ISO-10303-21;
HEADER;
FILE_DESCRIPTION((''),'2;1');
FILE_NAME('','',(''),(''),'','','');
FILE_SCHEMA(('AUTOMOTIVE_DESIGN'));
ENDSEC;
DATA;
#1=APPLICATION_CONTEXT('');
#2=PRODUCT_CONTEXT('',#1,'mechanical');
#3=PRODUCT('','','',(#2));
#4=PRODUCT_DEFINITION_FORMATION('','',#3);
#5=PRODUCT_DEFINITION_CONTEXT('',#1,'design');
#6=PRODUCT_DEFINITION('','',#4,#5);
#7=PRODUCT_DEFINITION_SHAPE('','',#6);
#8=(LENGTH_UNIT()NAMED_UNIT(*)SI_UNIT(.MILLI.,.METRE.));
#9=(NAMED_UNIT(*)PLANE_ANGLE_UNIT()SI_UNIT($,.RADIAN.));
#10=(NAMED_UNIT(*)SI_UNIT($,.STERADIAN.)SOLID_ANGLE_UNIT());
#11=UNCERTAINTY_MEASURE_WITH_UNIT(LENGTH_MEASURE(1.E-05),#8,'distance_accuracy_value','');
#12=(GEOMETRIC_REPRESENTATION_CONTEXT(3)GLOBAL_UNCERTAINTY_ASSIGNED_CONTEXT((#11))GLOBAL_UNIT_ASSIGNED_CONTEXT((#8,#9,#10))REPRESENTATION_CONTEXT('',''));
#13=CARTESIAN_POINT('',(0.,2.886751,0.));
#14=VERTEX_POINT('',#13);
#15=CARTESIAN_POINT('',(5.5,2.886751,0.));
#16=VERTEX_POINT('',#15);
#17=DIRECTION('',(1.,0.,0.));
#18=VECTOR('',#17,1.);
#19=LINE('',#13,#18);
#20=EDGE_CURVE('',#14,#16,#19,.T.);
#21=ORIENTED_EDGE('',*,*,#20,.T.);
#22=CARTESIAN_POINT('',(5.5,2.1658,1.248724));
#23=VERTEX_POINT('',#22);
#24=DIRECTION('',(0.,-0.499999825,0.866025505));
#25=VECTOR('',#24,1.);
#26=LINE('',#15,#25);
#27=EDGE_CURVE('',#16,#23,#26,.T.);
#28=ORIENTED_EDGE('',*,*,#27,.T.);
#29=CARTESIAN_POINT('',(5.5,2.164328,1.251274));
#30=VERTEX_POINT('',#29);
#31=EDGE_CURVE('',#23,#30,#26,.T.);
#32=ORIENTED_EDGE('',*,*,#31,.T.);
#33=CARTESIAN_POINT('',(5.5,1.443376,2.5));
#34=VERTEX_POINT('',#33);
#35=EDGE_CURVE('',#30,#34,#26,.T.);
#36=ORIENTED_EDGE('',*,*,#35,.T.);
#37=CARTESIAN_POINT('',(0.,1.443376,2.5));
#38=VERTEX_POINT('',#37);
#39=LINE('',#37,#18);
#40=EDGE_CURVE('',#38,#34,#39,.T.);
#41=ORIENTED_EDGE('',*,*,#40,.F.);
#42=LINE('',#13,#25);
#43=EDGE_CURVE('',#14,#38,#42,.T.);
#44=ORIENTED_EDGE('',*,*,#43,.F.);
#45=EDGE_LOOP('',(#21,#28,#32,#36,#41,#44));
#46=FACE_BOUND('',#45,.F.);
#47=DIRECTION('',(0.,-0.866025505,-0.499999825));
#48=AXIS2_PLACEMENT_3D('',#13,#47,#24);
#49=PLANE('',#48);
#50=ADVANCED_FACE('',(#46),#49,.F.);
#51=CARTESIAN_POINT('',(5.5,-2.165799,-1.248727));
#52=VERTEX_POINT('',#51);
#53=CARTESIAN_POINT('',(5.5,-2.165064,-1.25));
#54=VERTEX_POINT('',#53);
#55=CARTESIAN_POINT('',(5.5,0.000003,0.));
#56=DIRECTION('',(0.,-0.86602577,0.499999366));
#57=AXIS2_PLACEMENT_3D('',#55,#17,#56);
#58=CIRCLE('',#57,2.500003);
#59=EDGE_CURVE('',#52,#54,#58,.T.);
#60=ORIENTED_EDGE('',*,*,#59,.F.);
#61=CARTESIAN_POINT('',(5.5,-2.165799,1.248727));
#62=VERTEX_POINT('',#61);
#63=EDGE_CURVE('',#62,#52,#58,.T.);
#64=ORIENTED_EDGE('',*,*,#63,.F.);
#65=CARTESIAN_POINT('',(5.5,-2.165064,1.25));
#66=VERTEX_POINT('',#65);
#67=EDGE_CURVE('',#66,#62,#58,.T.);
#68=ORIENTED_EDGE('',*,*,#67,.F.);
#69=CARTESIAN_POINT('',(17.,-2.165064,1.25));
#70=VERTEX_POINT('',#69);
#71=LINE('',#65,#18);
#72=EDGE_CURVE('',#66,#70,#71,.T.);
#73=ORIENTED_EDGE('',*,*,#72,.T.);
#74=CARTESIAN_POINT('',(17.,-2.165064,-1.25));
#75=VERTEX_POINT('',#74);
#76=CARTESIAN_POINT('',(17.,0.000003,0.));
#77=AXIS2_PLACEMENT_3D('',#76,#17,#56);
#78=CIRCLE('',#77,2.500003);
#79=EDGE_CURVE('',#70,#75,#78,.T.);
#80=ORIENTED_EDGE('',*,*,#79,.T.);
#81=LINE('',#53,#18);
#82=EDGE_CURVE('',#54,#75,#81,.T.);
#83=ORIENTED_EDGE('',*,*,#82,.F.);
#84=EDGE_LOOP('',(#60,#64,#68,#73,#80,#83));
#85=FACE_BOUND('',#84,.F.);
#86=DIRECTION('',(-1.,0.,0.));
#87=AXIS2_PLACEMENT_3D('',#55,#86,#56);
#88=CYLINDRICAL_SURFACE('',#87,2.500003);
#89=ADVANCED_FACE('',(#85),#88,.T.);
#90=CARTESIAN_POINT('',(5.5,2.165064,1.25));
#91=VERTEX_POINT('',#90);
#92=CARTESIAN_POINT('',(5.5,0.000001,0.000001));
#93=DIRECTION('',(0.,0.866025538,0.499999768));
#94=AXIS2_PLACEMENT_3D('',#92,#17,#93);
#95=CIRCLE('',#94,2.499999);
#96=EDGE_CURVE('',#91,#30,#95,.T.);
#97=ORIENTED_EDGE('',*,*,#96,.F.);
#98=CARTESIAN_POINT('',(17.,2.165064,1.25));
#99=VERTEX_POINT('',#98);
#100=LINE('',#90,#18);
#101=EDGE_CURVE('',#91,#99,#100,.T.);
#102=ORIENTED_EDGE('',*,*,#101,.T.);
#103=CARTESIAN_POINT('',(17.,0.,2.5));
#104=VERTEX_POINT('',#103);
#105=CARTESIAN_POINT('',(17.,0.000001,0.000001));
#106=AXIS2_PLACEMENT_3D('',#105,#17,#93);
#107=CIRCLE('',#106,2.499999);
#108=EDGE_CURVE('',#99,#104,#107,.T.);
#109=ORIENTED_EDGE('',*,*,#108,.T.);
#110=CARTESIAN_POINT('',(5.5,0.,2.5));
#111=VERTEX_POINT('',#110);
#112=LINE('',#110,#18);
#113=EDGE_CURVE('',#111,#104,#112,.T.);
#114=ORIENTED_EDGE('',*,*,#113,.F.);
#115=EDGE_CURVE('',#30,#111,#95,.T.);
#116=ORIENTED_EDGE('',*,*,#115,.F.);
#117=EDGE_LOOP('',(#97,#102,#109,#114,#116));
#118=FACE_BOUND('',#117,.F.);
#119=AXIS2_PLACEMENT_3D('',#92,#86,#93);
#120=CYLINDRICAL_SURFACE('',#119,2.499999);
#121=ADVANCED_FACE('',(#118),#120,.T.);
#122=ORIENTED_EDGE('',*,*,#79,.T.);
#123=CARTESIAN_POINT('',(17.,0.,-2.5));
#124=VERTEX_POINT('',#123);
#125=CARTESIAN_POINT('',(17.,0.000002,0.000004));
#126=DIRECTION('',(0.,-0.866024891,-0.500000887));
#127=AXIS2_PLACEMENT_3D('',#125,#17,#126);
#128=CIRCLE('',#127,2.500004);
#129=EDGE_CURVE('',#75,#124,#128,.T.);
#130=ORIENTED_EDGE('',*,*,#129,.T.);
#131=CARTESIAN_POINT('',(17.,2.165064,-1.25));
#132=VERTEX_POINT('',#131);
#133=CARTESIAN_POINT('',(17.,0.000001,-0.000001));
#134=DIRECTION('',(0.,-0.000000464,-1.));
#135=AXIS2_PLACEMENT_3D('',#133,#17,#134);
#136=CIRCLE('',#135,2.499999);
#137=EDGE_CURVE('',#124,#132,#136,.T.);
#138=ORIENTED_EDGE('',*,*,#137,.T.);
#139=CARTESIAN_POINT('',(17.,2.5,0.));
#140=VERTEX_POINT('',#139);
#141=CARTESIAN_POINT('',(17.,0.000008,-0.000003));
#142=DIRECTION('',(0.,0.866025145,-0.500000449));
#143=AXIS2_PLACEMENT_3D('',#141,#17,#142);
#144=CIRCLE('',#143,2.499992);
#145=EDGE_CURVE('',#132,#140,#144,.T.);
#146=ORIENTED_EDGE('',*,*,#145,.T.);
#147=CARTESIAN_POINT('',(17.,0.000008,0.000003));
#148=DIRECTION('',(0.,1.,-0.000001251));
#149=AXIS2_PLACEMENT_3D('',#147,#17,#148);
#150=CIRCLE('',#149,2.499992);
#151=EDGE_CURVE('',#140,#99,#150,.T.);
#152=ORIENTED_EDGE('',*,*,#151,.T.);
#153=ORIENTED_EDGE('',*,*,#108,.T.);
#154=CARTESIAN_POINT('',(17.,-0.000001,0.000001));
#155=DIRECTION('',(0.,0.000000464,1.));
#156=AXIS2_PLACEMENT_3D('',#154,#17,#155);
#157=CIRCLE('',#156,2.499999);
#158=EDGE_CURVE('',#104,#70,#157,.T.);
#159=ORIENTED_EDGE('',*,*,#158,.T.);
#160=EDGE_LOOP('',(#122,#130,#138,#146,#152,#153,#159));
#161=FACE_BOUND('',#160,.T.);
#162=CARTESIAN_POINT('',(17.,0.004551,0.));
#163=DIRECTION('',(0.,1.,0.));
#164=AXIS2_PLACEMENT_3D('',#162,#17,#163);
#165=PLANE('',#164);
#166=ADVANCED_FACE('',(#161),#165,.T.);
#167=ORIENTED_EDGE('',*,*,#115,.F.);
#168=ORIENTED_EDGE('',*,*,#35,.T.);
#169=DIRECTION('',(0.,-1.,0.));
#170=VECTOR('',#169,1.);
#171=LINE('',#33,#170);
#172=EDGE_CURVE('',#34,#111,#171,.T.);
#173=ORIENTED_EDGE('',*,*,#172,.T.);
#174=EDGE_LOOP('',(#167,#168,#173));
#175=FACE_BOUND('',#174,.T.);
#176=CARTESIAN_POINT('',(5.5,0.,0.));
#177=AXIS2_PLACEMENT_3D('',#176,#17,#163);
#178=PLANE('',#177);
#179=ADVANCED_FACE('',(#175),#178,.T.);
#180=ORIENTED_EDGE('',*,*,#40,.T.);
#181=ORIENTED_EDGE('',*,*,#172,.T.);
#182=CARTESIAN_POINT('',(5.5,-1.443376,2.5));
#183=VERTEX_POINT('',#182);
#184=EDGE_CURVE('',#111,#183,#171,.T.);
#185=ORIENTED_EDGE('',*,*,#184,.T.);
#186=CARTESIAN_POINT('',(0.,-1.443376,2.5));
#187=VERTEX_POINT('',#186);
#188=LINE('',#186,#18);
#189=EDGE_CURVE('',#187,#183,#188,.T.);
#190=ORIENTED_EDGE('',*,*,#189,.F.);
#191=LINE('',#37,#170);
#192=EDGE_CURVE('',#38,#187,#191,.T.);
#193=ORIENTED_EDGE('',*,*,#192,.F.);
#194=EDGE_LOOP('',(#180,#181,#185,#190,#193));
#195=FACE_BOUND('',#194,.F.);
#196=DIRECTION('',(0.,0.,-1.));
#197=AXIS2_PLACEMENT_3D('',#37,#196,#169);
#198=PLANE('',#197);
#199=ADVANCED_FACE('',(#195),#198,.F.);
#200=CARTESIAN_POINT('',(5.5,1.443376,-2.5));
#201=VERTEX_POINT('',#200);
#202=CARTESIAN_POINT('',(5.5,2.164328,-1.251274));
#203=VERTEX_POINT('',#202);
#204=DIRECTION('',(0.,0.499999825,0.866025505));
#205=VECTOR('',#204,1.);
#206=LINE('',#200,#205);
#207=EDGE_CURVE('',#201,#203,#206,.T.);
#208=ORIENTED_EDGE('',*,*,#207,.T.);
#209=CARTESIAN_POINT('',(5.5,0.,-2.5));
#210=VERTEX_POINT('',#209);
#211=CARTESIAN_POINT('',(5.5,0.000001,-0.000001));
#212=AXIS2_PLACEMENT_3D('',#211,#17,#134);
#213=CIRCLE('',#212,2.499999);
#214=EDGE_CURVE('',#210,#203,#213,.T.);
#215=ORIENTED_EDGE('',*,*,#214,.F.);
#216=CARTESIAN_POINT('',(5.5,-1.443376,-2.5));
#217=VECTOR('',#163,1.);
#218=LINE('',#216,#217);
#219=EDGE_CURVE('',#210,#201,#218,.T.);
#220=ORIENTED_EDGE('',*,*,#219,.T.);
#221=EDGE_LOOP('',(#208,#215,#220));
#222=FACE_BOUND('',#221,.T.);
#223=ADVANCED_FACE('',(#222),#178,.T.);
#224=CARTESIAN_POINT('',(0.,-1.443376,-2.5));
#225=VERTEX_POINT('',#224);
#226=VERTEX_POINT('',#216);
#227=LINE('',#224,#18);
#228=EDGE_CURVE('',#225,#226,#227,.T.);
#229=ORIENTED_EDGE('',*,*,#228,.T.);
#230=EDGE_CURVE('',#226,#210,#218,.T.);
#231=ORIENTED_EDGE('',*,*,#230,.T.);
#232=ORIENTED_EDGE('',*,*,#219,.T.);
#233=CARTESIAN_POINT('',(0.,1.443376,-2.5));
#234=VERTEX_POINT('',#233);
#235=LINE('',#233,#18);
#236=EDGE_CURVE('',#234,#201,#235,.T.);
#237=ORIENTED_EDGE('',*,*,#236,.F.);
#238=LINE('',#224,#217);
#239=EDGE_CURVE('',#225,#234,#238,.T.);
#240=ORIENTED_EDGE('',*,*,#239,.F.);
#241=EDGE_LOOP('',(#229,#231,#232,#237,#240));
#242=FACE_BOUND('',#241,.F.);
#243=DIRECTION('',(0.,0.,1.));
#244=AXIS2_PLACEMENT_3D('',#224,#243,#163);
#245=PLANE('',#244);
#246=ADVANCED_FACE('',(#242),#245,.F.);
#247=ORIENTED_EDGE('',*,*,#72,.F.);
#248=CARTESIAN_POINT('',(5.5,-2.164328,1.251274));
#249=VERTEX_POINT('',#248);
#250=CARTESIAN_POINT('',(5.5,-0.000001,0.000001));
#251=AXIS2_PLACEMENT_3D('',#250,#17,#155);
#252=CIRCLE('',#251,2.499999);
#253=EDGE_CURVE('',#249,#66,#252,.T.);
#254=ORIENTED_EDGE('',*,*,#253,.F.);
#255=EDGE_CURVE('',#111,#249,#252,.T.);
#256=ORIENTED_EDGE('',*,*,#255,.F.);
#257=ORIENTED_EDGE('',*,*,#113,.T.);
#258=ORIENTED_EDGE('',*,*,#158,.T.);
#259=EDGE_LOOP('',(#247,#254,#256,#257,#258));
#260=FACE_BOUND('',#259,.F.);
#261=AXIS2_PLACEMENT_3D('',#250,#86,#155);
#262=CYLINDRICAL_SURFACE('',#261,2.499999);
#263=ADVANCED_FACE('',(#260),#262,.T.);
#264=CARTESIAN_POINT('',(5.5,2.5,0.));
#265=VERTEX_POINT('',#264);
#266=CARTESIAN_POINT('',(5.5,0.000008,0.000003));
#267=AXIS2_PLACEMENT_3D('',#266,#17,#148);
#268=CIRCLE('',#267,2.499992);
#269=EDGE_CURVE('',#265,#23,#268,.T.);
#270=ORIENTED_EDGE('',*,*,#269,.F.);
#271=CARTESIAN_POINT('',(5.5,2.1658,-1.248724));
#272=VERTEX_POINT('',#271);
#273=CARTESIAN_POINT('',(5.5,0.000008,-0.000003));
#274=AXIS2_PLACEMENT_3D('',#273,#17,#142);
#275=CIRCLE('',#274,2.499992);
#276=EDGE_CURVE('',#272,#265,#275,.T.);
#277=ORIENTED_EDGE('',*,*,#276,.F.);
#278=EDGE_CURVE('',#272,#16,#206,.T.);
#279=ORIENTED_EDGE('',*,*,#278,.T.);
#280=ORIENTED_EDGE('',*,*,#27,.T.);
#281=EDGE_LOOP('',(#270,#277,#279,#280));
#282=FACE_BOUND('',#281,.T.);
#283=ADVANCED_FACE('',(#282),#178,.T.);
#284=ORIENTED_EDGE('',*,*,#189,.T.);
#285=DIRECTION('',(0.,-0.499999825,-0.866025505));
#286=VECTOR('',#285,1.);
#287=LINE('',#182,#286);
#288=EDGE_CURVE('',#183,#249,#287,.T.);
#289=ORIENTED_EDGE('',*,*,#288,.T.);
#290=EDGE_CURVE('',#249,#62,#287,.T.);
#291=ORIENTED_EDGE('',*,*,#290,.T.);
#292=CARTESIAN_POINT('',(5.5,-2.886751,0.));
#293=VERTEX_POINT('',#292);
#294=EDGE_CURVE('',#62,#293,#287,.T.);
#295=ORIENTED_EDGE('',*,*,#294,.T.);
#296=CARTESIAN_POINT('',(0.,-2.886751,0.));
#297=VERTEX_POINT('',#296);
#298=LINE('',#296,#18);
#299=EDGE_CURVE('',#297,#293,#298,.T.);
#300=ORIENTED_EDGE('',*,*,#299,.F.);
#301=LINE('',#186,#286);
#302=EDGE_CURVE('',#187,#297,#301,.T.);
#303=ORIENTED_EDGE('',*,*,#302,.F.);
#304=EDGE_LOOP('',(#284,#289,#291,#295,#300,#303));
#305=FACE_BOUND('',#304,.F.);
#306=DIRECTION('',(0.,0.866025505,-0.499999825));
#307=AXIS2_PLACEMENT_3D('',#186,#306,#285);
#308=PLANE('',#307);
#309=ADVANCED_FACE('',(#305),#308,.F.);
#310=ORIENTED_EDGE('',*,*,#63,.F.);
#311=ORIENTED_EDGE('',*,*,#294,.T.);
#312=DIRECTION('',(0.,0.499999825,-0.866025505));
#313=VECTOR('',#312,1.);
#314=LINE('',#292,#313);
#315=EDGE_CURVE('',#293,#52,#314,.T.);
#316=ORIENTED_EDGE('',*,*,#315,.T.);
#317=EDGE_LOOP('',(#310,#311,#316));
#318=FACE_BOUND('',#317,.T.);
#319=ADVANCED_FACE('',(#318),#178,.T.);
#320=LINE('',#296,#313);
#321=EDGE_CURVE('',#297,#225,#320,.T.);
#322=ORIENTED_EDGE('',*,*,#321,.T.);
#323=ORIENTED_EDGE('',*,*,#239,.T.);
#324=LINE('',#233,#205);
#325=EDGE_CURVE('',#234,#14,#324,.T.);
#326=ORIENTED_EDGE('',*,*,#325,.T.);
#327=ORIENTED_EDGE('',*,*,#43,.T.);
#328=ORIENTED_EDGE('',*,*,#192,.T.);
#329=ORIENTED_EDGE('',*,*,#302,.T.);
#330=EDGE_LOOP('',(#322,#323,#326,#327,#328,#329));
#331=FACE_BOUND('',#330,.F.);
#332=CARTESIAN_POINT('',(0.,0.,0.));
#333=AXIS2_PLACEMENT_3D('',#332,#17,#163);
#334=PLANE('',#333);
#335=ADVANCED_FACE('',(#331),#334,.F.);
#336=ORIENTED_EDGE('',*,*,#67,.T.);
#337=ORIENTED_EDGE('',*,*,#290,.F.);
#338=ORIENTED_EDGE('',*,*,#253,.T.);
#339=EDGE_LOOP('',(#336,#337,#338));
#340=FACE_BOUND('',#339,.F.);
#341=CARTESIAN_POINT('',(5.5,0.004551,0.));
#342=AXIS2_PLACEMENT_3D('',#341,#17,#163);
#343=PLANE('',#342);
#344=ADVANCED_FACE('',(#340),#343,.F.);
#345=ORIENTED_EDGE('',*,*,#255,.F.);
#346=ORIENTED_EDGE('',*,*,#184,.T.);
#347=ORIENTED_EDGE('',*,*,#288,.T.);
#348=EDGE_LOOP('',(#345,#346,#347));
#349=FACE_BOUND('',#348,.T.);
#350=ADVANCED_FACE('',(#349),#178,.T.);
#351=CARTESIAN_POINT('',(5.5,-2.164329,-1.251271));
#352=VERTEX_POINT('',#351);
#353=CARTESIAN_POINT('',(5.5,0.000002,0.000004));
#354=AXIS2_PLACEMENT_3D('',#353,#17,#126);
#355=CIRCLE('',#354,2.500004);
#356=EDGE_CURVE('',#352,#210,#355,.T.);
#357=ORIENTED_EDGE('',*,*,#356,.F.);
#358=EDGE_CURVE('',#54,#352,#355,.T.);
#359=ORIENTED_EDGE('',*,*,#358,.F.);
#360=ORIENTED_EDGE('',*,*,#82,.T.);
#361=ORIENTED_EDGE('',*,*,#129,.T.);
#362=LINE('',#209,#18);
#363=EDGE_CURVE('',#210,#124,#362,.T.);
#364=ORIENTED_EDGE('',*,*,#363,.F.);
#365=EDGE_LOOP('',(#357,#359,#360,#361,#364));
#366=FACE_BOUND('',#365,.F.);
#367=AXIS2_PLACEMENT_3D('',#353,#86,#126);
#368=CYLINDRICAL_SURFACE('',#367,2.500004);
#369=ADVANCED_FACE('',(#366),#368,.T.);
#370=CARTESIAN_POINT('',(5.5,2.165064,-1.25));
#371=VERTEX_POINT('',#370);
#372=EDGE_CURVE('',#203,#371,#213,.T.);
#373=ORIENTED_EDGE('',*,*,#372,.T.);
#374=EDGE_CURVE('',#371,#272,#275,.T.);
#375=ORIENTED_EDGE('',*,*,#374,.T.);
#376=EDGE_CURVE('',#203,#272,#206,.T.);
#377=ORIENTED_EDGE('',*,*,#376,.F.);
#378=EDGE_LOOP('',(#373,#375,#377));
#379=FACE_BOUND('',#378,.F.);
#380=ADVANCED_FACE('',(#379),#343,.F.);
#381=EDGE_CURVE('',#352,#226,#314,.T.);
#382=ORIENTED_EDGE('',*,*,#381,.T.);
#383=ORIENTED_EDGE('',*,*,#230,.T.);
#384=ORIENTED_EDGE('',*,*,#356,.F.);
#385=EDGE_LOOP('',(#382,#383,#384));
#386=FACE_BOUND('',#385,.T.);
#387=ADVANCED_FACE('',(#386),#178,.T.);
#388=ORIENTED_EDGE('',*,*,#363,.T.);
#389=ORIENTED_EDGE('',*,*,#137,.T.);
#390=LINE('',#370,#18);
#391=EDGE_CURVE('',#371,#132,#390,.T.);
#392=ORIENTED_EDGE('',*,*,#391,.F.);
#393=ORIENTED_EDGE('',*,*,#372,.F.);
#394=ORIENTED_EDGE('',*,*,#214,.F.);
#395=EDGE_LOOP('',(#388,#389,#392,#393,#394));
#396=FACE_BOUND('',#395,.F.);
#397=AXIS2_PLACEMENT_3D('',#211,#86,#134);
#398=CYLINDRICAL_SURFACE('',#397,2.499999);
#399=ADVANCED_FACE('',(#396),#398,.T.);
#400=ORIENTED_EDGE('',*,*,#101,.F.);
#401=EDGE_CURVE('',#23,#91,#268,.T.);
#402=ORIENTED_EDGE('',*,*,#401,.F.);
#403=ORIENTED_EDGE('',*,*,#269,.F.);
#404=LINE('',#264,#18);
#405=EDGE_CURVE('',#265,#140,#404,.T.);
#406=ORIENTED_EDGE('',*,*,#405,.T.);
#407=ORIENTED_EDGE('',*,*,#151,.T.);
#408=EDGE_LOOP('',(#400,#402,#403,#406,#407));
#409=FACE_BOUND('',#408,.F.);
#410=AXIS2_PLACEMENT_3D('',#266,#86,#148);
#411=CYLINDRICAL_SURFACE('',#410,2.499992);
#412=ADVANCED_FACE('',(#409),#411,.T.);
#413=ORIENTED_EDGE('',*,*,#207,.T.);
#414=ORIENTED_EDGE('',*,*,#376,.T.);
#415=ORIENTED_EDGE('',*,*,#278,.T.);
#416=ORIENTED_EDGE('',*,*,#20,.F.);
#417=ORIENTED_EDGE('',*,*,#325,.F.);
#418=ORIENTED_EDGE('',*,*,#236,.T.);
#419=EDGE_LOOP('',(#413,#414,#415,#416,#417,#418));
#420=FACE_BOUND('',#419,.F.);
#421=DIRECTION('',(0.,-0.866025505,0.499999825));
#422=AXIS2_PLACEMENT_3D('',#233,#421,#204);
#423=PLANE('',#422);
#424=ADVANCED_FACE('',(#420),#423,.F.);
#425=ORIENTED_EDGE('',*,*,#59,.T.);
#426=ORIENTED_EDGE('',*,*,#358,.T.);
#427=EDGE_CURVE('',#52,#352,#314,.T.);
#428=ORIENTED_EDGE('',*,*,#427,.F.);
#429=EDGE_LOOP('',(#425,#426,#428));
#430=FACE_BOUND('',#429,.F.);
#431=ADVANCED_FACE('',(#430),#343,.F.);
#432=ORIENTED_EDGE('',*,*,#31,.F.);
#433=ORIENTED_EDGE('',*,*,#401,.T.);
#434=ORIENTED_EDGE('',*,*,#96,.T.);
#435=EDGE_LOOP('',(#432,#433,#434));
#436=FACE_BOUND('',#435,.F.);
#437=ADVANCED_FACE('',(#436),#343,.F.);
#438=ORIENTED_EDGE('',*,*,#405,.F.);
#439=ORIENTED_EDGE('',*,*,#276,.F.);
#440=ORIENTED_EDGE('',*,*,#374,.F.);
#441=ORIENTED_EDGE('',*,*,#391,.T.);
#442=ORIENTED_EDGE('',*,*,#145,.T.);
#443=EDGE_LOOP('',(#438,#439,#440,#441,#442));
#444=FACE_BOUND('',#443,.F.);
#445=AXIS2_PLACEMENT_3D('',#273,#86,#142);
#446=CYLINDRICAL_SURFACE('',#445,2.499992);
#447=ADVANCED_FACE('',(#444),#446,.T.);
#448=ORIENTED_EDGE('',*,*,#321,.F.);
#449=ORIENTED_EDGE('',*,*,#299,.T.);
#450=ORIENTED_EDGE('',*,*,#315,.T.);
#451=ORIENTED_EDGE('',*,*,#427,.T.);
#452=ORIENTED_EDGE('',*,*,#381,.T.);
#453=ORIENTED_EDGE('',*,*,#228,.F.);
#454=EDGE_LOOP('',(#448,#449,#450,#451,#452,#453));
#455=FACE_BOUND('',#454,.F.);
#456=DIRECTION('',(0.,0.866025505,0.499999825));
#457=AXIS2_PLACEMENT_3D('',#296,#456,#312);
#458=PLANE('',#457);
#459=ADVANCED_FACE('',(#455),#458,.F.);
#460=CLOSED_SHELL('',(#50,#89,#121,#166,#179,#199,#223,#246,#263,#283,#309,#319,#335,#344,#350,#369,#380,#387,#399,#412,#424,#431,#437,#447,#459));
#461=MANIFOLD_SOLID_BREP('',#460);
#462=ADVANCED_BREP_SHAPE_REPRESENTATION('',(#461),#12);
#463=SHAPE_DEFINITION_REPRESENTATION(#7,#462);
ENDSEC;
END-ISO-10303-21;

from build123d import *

# Parameters (mm, degrees)
F1_DEPTH = 5.5
F3_DEPTH = 11.5


with BuildPart() as f1:
    # F0 (on Right) → F1 (new body)
    with BuildSketch(Plane.YZ):
        Polygon((1.443376, 2.5), (-1.443376, 2.5), (-2.886751, 0), (-1.443376, -2.5), (1.443376, -2.5), (2.886751, 0), align=None)
    extrude(amount=F1_DEPTH)

    # F2 (on face) → F3 (join)
    with BuildSketch(Plane.YZ.offset(5.5)):
        with BuildLine():
            ThreePointArc((2.165064, -1.25), (2.414815, -0.647048), (2.5, 0))
            ThreePointArc((2.5, 0), (2.414815, 0.647048), (2.165064, 1.25))
            ThreePointArc((2.165064, 1.25), (1.25, 2.165064), (0, 2.5))
            ThreePointArc((0, 2.5), (-1.25, 2.165064), (-2.165064, 1.25))
            ThreePointArc((-2.165064, 1.25), (-2.5, 0), (-2.165064, -1.25))
            ThreePointArc((-2.165064, -1.25), (-1.25, -2.165063), (0, -2.5))
            ThreePointArc((0, -2.5), (1.25, -2.165064), (2.165064, -1.25))
        make_face()
    extrude(amount=F3_DEPTH)


solid = f1.part
